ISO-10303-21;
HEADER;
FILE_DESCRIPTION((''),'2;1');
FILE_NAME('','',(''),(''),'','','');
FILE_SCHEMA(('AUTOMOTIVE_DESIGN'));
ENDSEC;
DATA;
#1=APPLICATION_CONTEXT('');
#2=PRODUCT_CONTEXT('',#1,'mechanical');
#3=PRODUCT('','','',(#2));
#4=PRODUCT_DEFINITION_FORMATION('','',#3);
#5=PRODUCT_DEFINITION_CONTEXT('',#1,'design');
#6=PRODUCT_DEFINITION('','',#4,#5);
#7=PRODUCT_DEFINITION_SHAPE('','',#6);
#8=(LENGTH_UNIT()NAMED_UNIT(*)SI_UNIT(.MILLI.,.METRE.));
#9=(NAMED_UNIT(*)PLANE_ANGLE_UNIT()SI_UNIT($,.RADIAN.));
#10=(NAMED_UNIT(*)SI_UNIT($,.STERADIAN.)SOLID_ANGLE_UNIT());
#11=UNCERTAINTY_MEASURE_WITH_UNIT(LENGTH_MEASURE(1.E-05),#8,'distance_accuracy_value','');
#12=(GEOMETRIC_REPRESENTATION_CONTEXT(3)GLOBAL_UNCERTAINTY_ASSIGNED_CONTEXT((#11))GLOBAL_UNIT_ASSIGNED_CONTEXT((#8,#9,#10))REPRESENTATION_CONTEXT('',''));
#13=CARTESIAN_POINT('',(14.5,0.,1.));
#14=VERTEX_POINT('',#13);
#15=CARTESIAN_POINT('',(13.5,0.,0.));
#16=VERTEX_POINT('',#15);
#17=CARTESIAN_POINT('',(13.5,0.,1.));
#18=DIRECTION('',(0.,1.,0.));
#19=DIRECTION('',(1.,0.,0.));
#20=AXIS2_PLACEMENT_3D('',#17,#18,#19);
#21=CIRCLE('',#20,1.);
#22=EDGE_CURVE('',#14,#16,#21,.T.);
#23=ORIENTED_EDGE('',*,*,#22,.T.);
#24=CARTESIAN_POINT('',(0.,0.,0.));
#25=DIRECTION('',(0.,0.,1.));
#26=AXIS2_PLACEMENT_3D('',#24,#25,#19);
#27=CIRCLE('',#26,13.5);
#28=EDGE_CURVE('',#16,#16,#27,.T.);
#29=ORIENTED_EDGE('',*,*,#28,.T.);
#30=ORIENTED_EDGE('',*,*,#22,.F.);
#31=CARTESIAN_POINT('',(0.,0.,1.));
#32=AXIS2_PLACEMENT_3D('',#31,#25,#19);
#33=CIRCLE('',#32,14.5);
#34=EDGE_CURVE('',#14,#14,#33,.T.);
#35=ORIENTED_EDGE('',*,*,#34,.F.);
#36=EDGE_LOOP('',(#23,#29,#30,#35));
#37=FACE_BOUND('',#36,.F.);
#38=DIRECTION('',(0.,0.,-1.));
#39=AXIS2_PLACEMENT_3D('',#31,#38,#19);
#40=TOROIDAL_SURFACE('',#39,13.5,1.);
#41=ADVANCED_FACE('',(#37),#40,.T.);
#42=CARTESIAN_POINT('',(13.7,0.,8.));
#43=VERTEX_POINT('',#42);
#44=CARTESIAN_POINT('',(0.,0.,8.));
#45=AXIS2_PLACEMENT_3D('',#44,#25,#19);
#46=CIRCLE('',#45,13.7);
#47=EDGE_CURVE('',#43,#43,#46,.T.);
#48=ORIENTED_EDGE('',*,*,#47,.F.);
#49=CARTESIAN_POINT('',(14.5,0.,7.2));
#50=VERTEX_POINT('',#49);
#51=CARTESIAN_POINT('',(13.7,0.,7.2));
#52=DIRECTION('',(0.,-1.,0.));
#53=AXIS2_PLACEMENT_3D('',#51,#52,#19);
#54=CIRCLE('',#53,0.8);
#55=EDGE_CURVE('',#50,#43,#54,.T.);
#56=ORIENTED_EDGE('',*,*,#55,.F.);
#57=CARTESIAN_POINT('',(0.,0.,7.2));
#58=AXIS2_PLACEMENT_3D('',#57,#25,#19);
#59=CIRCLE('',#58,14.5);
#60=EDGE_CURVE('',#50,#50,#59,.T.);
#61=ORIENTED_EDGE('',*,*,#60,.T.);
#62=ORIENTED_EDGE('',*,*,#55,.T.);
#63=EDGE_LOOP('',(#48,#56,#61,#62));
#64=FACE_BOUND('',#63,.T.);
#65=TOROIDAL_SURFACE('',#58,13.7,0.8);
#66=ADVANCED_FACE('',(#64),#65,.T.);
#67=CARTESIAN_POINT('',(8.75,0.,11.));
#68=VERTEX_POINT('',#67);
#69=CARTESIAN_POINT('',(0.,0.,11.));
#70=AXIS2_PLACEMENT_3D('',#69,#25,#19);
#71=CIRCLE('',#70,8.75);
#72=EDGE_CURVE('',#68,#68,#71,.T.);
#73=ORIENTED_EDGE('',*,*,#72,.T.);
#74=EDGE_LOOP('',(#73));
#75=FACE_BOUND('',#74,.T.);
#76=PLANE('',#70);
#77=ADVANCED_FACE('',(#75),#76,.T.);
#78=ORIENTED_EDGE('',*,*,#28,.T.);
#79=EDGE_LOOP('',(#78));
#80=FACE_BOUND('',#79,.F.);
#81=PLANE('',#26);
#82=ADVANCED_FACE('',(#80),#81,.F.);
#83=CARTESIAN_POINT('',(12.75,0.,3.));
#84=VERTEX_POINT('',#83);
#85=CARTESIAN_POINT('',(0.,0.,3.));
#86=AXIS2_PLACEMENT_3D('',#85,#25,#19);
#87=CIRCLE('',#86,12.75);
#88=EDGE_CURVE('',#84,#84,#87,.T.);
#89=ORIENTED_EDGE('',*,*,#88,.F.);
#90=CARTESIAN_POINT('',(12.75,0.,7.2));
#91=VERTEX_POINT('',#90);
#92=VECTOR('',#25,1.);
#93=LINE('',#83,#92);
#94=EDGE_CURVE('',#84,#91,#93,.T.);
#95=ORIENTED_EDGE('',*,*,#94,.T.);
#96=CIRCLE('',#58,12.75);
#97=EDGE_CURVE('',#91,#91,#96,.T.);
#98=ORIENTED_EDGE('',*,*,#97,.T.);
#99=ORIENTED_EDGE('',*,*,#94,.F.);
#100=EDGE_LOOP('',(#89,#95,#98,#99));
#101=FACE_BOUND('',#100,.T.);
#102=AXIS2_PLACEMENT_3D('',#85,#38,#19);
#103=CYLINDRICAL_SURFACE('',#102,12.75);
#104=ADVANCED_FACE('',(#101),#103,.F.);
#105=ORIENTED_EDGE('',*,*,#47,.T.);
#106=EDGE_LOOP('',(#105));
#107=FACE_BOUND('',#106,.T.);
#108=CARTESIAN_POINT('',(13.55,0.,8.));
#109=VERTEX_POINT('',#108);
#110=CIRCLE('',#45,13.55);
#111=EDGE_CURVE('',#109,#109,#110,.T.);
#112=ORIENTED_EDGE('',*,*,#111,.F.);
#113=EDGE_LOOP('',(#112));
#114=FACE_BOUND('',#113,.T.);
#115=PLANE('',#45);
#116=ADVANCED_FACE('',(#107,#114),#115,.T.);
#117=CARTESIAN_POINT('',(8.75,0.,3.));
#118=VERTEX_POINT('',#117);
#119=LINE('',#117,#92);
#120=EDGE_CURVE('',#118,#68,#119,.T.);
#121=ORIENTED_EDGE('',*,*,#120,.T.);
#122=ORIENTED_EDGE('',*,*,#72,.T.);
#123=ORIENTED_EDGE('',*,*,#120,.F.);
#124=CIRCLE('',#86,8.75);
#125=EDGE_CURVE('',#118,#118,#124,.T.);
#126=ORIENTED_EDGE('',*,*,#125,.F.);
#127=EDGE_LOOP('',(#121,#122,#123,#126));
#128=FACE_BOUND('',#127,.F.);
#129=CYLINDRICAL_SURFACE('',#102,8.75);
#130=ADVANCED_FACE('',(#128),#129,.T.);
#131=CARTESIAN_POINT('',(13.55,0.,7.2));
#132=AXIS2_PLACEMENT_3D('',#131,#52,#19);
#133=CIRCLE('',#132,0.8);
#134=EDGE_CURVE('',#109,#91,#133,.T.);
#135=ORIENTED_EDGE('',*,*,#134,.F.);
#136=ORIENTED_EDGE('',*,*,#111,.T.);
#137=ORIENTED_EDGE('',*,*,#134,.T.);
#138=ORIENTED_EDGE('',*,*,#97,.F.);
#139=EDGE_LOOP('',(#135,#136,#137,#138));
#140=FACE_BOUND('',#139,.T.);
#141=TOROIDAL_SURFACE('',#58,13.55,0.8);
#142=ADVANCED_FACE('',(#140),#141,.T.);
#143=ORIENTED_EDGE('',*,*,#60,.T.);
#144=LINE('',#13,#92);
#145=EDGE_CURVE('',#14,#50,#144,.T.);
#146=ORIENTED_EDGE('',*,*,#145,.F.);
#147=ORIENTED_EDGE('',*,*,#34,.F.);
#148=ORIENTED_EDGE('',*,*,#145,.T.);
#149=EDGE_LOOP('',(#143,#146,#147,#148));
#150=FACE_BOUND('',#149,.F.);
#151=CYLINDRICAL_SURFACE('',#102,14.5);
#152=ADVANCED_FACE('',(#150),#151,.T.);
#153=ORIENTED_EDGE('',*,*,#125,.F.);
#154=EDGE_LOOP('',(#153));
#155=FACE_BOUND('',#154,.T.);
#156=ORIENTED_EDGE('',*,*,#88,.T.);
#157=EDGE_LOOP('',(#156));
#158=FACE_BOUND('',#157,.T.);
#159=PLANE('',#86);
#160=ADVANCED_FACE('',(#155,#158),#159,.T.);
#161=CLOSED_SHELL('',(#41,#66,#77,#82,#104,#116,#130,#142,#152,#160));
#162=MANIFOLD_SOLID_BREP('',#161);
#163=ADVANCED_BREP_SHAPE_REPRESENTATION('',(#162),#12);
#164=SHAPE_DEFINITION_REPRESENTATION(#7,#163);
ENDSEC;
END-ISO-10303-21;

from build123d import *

# Parameters (mm, degrees)
F0_R     = 14.5
F1_DEPTH = 3
F2_R     = 8.75
F3_DEPTH = 8
F4_R     = 1
F5_R     = 14.5
F5_R_2   = 12.75
F6_DEPTH = 5
F7_R     = 0.8


with BuildPart() as f1:
    # F0 (on Top) → F1 (new body)
    with BuildSketch(Plane.XY):
        Circle(F0_R)
    extrude(amount=F1_DEPTH)

    # F2 (on face) → F3 (join)
    with BuildSketch(Plane.XY.offset(3)):
        Circle(F2_R)
    extrude(amount=F3_DEPTH)

    # F4
    f4_edges = [f1.edges().sort_by_distance(p)[0] for p in [
        (-14.5, 0, 0),
    ]]
    fillet(f4_edges, radius=F4_R)

    # F5 (on face) → F6 (join)
    with BuildSketch(Plane.XY.offset(3)):
        Circle(F5_R)
        Circle(F5_R_2, mode=Mode.SUBTRACT)
    extrude(amount=F6_DEPTH)

    # F7
    f7_edges = [f1.edges().sort_by_distance(p)[0] for p in [
        (-14.5, 0, 8),
        (-12.75, 0, 8),
    ]]
    fillet(f7_edges, radius=F7_R)


solid = f1.part
